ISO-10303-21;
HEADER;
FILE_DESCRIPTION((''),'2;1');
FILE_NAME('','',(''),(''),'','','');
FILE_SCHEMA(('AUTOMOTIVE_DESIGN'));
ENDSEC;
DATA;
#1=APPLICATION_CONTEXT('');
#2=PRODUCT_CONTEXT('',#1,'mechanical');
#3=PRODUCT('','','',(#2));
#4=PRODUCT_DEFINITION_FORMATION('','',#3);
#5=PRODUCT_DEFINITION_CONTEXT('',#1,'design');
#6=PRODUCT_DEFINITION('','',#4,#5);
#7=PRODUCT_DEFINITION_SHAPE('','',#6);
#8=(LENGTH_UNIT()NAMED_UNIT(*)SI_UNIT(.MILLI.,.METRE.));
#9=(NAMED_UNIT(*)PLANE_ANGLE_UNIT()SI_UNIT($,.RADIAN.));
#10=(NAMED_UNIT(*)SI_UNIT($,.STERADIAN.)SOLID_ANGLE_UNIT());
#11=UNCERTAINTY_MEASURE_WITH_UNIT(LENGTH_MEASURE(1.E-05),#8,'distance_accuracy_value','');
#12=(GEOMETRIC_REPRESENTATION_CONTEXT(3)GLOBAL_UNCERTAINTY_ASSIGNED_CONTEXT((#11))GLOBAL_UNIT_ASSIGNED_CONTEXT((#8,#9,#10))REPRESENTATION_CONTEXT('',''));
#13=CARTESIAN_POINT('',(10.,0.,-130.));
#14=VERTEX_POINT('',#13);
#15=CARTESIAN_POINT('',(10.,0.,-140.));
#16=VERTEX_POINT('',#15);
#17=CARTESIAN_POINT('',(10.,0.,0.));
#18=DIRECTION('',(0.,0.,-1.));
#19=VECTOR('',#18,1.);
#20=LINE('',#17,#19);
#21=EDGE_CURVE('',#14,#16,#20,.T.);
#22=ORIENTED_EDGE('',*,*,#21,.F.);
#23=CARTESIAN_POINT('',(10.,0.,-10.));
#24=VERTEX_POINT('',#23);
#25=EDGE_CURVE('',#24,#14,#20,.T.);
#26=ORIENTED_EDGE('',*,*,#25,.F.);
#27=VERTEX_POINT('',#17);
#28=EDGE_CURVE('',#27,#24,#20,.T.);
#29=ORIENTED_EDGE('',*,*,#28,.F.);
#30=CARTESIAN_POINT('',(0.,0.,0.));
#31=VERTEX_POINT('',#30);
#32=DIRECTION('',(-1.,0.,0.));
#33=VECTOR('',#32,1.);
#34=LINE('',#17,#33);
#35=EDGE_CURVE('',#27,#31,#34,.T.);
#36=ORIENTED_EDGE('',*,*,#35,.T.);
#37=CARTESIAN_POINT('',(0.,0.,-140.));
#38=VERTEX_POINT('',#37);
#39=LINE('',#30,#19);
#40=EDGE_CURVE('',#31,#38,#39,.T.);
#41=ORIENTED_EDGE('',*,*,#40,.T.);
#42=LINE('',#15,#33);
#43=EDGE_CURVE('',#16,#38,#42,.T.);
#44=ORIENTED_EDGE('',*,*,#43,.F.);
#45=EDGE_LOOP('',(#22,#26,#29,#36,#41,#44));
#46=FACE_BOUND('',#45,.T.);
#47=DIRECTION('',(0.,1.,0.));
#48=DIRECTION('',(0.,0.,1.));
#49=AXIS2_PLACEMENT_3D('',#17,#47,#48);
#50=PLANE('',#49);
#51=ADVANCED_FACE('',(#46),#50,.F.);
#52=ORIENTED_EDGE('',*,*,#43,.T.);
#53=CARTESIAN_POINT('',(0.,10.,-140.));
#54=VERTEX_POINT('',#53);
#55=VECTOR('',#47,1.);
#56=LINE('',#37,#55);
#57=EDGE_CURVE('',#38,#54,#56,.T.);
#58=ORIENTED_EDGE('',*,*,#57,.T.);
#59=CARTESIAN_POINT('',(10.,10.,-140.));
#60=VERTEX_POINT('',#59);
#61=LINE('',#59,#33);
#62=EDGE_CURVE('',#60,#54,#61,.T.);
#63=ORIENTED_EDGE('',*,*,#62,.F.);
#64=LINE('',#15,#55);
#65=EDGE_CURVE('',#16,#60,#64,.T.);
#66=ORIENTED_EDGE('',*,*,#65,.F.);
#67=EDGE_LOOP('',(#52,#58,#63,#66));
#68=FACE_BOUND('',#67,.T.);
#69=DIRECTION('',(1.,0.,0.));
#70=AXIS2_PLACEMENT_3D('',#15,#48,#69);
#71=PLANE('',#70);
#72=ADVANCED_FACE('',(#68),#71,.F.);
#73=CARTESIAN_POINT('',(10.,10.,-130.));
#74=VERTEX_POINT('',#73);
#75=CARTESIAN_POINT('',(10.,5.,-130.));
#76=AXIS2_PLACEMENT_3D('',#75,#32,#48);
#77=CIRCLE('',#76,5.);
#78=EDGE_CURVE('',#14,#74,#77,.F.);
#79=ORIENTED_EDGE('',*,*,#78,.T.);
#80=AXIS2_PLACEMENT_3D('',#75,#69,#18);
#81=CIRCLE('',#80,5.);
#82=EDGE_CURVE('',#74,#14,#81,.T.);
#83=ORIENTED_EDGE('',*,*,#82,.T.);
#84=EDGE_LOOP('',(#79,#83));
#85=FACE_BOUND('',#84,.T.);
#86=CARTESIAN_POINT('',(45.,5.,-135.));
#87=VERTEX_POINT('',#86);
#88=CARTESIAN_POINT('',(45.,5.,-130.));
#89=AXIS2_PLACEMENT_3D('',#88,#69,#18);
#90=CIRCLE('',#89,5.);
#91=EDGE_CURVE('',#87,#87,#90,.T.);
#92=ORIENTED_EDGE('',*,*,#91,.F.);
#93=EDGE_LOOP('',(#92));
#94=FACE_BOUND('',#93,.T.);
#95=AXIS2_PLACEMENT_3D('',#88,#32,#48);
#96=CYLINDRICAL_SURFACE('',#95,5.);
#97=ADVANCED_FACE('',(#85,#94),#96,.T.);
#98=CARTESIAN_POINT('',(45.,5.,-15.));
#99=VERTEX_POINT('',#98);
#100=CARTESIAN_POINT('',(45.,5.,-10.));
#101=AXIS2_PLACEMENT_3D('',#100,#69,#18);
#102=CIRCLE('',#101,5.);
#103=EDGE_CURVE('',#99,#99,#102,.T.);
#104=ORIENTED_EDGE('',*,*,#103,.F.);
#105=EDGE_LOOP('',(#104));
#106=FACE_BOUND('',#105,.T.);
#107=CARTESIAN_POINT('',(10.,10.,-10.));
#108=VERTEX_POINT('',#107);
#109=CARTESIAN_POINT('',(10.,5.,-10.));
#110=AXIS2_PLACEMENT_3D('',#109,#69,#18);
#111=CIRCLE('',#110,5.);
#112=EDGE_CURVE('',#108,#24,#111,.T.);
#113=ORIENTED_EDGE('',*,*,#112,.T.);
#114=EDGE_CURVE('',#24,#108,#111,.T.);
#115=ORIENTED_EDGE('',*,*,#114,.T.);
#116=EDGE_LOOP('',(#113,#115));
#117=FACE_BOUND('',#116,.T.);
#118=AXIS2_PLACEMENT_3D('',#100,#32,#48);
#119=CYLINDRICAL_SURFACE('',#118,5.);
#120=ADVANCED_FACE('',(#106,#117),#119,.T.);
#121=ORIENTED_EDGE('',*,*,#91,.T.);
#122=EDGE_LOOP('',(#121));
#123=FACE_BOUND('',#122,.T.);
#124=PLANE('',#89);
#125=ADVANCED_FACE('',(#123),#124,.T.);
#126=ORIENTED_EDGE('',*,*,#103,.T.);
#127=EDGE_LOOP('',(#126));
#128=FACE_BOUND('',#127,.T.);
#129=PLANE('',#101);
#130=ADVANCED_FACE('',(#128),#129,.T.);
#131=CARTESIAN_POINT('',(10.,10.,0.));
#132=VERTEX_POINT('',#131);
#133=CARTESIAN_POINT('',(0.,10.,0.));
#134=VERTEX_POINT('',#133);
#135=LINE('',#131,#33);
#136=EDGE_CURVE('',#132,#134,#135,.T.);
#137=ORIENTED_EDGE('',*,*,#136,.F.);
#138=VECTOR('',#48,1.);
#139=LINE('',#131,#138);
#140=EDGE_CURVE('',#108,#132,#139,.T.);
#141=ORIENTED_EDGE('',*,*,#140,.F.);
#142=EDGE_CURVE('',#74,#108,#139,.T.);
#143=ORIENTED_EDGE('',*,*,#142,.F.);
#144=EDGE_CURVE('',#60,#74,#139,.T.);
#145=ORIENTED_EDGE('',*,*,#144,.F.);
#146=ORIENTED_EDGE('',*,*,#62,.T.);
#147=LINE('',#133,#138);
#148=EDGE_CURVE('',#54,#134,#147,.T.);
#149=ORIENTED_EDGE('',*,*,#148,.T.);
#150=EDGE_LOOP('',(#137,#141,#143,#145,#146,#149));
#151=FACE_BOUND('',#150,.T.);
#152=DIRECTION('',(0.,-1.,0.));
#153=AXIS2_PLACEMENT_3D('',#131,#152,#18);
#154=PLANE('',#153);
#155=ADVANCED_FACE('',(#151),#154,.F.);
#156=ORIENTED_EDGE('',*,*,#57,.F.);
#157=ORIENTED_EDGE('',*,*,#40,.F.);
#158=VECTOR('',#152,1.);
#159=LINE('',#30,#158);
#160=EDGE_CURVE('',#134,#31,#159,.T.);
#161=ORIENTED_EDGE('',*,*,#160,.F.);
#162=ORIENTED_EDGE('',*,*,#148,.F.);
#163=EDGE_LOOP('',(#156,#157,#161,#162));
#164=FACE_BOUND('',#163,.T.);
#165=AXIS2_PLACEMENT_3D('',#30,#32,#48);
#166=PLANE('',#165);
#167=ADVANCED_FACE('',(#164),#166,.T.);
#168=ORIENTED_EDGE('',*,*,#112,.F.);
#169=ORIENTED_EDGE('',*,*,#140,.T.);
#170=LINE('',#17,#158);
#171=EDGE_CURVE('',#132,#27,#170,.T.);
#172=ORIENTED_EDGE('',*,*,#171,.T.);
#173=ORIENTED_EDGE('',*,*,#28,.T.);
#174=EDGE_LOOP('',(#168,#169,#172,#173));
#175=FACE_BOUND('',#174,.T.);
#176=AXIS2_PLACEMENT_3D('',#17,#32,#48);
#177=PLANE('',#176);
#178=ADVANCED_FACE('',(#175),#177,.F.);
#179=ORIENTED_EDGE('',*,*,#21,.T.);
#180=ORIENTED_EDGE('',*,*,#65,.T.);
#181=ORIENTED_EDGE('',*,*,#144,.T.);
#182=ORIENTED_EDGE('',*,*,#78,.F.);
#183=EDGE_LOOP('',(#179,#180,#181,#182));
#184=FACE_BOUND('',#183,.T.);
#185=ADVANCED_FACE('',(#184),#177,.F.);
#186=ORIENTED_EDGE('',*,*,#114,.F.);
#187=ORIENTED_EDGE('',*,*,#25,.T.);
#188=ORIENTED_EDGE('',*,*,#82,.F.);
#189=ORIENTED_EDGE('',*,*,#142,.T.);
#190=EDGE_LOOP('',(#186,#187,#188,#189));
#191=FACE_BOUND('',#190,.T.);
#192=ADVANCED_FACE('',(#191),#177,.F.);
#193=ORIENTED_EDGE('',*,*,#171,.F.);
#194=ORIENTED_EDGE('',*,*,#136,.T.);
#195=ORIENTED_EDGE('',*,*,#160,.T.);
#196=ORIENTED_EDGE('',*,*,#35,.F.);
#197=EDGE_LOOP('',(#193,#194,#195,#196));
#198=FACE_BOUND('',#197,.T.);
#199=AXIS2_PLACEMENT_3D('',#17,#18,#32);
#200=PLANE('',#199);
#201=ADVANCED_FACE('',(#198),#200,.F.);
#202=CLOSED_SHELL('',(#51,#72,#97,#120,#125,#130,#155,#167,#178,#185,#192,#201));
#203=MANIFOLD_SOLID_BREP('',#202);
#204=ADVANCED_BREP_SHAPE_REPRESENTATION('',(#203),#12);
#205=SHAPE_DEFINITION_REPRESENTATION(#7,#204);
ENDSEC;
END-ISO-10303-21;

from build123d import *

# Parameters (mm, degrees)
SKETCH_1_W      = 140
SKETCH_1_H      = 10
EXTRUDE_1_DEPTH = 10
SKETCH_2_R      = 5
EXTRUDE_2_DEPTH = 35


with BuildPart() as part:
    # Эскиз1 → Бобышка-Вытянуть1 (new body)
    with BuildSketch(Plane(origin=(0, 0, 0), x_dir=(0, 0, -1), z_dir=(1, 0, 0))):
        with Locations((70, 5)):
            Rectangle(SKETCH_1_W, SKETCH_1_H)
    extrude(amount=EXTRUDE_1_DEPTH)

    # Эскиз2 → Бобышка-Вытянуть2 (add)
    with BuildSketch(Plane(origin=(10, 0, 0), x_dir=(0, 0, -1), z_dir=(1, 0, 0))):
        with Locations(Location((10, 5, 0), (0, 0, 270))):
            Circle(SKETCH_2_R)
        with Locations(Location((130, 5, 0), (0, 0, 270))):
            Circle(SKETCH_2_R)
    extrude(amount=EXTRUDE_2_DEPTH)


solid = part.part
